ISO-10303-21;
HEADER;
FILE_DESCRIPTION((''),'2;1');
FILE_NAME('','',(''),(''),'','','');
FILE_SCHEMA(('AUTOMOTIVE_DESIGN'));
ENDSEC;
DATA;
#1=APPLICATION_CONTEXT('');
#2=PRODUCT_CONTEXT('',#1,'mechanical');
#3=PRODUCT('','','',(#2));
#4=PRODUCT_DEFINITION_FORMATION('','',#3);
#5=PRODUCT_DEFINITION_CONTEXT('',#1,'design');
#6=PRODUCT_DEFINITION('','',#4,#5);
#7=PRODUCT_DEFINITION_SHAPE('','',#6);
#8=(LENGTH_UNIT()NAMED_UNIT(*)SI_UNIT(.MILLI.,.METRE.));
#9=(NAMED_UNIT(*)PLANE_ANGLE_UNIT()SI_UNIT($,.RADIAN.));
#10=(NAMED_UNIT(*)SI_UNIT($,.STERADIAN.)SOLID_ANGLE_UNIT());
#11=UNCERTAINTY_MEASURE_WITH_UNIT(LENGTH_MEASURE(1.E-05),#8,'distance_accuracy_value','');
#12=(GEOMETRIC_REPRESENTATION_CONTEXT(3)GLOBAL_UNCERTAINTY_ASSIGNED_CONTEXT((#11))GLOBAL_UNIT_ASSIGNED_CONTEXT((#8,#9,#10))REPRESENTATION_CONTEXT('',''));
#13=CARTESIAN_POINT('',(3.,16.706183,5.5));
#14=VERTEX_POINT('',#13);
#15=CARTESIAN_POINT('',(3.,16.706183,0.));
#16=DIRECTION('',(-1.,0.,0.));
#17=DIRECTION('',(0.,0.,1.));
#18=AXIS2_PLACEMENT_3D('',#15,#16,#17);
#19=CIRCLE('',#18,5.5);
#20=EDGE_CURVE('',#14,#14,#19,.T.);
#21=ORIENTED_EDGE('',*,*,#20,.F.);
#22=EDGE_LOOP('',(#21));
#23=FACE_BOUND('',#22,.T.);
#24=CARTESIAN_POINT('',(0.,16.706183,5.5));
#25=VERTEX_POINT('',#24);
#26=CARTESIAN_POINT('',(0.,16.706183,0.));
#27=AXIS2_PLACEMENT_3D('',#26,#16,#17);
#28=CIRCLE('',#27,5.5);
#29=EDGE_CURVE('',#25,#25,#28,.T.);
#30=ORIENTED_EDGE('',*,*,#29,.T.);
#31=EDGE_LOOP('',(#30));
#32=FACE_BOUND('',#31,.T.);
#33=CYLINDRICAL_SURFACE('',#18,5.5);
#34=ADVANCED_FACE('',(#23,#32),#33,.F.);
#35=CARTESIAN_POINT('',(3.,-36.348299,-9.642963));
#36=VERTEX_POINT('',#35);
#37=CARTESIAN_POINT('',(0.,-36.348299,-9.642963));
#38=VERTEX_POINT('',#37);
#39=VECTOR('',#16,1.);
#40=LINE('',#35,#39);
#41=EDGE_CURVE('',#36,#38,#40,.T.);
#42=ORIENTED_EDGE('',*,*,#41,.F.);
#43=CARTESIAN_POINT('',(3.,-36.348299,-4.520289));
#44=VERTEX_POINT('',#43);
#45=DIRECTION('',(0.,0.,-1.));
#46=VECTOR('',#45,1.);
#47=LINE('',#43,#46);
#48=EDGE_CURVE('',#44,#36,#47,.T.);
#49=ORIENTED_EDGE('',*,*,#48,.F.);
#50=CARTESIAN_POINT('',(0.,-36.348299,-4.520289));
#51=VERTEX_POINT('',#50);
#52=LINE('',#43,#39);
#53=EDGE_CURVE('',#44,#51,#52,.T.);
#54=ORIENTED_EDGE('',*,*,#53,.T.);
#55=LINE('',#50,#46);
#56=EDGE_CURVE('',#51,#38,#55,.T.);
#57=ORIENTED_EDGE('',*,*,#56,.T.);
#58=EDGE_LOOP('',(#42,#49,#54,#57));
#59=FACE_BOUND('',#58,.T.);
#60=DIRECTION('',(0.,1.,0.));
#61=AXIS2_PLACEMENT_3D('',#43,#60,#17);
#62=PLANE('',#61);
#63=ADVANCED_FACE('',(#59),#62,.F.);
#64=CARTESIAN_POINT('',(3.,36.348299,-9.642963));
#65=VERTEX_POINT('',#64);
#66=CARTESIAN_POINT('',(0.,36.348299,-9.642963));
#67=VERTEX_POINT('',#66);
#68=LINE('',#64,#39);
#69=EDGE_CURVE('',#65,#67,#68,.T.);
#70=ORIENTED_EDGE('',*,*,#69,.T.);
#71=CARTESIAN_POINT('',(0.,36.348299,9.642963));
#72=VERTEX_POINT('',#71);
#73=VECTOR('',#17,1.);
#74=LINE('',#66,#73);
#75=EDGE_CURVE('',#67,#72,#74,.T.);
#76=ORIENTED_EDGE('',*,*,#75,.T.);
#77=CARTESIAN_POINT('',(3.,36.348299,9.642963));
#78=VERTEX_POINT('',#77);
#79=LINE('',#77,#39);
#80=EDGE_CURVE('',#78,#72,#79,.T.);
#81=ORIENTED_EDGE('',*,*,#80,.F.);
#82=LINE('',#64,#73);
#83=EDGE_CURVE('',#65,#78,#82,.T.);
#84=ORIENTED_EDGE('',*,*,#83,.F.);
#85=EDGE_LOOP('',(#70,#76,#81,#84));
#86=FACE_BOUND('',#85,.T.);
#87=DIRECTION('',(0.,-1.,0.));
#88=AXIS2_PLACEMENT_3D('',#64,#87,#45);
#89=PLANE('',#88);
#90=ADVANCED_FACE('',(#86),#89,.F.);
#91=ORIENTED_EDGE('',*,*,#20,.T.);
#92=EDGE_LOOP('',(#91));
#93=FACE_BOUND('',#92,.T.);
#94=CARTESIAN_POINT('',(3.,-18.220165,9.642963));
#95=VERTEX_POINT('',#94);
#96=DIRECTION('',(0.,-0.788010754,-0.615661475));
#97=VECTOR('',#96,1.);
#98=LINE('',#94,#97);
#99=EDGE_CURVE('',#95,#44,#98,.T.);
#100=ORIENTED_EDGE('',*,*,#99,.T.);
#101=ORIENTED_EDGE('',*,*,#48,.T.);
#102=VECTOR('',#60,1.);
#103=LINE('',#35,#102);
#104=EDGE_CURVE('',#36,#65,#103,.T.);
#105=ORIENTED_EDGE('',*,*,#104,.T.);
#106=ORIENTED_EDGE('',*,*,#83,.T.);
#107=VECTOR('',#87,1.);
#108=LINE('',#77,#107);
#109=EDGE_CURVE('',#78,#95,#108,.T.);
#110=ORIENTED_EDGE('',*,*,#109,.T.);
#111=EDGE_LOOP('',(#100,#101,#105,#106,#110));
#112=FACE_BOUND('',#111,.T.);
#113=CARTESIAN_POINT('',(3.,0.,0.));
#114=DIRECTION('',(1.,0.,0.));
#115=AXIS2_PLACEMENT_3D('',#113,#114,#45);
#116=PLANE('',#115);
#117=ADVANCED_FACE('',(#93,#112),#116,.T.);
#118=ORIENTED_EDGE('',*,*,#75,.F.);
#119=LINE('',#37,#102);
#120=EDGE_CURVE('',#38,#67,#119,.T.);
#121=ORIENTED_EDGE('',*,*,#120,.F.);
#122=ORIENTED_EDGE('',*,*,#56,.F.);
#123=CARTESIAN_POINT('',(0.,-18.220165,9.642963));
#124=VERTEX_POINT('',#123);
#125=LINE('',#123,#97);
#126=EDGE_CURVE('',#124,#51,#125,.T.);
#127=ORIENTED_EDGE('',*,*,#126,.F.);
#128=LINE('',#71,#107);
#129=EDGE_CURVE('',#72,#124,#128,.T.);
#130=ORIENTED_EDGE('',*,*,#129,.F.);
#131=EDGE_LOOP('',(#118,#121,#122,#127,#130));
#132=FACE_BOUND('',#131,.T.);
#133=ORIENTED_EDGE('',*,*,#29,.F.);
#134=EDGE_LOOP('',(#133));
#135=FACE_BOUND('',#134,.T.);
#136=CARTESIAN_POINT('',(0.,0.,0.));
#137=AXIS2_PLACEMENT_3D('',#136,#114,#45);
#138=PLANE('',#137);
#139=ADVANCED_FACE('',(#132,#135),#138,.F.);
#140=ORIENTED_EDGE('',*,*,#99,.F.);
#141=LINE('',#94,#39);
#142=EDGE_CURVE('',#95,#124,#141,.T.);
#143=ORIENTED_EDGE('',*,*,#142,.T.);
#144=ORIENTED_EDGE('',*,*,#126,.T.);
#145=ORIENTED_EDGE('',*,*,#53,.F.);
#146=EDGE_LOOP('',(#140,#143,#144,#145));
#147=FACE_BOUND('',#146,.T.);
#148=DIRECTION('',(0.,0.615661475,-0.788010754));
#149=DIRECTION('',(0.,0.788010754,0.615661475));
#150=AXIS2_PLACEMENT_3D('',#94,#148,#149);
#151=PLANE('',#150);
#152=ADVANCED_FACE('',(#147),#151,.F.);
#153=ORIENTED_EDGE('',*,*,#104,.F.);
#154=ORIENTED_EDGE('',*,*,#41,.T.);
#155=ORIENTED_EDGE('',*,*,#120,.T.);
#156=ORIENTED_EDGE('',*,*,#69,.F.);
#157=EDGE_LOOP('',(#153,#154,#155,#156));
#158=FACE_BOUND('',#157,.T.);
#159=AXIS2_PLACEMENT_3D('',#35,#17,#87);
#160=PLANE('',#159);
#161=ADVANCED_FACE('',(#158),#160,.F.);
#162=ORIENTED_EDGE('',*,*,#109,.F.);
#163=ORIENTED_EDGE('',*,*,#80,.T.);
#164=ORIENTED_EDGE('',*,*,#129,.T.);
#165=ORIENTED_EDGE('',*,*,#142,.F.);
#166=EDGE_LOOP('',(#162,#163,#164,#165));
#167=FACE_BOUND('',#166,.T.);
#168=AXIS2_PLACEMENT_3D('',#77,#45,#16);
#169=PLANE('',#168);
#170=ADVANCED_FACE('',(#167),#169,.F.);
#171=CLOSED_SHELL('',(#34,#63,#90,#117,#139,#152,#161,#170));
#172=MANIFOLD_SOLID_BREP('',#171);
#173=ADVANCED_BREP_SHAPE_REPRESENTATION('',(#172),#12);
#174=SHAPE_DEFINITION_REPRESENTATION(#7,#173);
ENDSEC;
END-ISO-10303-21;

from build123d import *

# Parameters (mm, degrees)
EXTRUDE_1_DEPTH     = 3
SKETCH_2_R          = 5.5
CUT_EXTRUDE_1_DEPTH = 38.72513216


with BuildPart() as part:
    # Эскиз1 → Бобышка-Вытянуть1 (new body)
    with BuildSketch(Plane(origin=(0, 0, 0), x_dir=(0, 0, -1), z_dir=(1, 0, 0))):
        Polygon((9.642962643, 36.348299382), (-9.642962643, 36.348299382), (-9.642962643, -18.220164561), (4.520288528, -36.348299382), (9.642962643, -36.348299382), align=None)
    extrude(amount=EXTRUDE_1_DEPTH)

    # Эскиз2 → Вырез-Вытянуть1 (cut, through all)
    with BuildSketch(Plane.ZY):
        with Locations((0, 16.706183396)):
            Circle(SKETCH_2_R)
    extrude(amount=-CUT_EXTRUDE_1_DEPTH, mode=Mode.SUBTRACT)


solid = part.part
